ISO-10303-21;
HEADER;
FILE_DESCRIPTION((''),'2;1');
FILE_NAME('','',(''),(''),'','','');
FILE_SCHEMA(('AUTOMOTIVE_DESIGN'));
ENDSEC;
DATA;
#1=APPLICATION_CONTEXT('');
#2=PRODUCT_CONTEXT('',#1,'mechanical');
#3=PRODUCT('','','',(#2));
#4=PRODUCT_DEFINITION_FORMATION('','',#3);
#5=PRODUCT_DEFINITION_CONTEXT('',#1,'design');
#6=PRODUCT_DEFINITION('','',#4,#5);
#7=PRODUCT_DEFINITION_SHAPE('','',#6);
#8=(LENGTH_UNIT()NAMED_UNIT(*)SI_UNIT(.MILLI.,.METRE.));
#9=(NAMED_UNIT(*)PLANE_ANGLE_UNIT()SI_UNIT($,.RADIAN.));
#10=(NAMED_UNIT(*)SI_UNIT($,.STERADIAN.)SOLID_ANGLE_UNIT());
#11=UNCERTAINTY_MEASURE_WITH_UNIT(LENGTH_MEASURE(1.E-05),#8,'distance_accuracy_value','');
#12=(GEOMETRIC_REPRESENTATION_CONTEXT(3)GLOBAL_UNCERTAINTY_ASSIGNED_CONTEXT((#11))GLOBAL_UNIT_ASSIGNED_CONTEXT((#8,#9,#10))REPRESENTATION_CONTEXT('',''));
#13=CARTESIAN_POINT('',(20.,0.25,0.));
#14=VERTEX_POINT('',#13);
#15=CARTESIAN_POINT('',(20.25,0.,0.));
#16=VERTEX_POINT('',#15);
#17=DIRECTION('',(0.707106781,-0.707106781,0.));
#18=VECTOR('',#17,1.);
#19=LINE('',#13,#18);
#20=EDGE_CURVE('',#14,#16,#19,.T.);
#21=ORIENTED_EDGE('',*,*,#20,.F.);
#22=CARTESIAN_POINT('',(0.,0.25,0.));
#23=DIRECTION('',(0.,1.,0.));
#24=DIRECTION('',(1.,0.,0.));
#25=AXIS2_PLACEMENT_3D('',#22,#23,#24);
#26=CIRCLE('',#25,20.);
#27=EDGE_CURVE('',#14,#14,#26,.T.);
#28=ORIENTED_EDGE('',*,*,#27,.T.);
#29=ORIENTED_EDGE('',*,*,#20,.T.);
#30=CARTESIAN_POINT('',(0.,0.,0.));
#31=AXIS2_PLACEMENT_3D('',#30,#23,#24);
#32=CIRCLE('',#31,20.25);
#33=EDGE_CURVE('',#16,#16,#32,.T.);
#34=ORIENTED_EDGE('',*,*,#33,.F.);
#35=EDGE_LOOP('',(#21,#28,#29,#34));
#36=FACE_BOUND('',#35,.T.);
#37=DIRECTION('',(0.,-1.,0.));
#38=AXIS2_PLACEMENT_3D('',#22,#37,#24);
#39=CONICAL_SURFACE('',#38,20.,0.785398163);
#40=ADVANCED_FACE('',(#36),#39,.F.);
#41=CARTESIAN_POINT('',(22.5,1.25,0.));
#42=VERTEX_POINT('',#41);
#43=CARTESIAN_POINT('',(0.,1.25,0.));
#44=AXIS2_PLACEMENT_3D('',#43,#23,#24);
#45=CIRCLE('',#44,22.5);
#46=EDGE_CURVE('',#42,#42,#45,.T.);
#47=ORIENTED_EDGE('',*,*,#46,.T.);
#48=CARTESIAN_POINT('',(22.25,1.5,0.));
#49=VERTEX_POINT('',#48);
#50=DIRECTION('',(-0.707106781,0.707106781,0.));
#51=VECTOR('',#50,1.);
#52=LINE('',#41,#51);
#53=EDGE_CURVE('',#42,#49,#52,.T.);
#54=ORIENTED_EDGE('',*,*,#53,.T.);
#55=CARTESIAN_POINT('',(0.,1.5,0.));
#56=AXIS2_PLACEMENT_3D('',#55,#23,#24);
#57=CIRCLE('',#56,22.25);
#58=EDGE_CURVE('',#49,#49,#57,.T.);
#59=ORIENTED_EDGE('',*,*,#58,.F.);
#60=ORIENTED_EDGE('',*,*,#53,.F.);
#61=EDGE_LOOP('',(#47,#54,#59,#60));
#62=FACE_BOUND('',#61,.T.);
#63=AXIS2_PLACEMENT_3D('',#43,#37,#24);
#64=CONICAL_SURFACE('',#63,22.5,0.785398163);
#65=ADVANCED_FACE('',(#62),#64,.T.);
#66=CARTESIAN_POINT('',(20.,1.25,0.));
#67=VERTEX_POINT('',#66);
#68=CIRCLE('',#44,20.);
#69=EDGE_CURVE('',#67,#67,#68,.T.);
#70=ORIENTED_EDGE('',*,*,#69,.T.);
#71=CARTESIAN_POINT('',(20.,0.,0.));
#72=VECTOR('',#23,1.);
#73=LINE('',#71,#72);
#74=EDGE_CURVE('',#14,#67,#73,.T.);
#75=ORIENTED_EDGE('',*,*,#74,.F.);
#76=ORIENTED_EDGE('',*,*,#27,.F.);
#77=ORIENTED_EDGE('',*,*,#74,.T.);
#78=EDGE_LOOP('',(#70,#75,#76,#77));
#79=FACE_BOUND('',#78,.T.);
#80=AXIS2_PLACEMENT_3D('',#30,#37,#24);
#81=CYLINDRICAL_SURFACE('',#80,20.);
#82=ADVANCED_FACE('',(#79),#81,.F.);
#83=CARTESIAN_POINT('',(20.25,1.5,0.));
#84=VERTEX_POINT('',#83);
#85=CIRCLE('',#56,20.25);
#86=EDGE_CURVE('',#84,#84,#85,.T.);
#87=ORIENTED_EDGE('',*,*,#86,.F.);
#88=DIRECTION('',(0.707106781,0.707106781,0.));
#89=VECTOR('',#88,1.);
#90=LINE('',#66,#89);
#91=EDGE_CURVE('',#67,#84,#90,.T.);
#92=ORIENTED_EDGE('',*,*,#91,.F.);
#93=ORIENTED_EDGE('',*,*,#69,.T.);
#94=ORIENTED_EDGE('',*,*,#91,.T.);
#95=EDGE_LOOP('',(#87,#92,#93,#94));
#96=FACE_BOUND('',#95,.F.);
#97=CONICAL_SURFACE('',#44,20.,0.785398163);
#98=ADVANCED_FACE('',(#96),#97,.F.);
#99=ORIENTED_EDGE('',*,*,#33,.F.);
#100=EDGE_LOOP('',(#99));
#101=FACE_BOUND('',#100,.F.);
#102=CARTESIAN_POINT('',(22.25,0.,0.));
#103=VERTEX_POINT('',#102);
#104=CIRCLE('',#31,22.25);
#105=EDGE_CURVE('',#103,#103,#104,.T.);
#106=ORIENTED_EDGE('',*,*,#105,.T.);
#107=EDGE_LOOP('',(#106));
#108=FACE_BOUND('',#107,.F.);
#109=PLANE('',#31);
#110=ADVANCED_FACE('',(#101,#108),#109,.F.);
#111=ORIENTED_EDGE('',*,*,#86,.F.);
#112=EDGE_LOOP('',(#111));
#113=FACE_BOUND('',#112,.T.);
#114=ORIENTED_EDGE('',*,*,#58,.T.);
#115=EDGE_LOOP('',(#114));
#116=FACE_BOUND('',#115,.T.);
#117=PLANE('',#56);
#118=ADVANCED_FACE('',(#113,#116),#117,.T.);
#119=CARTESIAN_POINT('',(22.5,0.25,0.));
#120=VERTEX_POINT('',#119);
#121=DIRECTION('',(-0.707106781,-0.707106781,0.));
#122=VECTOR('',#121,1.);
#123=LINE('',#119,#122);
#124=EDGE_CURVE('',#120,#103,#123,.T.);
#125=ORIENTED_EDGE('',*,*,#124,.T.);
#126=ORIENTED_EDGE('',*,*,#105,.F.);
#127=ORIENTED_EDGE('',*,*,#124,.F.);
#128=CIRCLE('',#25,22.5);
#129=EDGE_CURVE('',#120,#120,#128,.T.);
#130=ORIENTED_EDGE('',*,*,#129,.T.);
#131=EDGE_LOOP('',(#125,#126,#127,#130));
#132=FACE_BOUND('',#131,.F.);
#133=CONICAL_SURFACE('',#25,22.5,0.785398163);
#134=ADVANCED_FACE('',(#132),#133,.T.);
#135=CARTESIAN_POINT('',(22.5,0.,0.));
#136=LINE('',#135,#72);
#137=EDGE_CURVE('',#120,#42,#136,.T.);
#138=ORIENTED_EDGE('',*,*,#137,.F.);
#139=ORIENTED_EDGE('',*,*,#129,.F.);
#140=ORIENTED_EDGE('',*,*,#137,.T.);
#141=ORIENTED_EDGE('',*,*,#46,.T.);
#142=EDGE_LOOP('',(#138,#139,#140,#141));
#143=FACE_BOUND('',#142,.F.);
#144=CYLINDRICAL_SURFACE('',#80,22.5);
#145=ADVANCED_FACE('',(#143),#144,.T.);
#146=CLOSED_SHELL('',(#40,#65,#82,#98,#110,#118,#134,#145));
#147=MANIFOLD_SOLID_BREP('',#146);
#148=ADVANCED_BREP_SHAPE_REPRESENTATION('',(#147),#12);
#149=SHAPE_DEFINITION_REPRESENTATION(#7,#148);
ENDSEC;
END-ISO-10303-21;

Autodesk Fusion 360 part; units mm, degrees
sketch "Sketch1" plane through (0, 0, 0) normal (0, 1, 0) x (1, 0, 0)
  circle A0 centre (0, 0) radius 20
  circle A1 centre (0, 0) radius 22.5
  dimension "d1" = 45
extrude "Extrude1" add sketch "Sketch1" along normal blind 1.5
chamfer "Chamfer1" distance 0.25 angle 45 4 edges at (-18.6465, 1.5, -7.2323) (-18.6465, 0, -7.2323) (-20.9774, 1.5, 8.1363) (-20.9774, 0, 8.1363)
